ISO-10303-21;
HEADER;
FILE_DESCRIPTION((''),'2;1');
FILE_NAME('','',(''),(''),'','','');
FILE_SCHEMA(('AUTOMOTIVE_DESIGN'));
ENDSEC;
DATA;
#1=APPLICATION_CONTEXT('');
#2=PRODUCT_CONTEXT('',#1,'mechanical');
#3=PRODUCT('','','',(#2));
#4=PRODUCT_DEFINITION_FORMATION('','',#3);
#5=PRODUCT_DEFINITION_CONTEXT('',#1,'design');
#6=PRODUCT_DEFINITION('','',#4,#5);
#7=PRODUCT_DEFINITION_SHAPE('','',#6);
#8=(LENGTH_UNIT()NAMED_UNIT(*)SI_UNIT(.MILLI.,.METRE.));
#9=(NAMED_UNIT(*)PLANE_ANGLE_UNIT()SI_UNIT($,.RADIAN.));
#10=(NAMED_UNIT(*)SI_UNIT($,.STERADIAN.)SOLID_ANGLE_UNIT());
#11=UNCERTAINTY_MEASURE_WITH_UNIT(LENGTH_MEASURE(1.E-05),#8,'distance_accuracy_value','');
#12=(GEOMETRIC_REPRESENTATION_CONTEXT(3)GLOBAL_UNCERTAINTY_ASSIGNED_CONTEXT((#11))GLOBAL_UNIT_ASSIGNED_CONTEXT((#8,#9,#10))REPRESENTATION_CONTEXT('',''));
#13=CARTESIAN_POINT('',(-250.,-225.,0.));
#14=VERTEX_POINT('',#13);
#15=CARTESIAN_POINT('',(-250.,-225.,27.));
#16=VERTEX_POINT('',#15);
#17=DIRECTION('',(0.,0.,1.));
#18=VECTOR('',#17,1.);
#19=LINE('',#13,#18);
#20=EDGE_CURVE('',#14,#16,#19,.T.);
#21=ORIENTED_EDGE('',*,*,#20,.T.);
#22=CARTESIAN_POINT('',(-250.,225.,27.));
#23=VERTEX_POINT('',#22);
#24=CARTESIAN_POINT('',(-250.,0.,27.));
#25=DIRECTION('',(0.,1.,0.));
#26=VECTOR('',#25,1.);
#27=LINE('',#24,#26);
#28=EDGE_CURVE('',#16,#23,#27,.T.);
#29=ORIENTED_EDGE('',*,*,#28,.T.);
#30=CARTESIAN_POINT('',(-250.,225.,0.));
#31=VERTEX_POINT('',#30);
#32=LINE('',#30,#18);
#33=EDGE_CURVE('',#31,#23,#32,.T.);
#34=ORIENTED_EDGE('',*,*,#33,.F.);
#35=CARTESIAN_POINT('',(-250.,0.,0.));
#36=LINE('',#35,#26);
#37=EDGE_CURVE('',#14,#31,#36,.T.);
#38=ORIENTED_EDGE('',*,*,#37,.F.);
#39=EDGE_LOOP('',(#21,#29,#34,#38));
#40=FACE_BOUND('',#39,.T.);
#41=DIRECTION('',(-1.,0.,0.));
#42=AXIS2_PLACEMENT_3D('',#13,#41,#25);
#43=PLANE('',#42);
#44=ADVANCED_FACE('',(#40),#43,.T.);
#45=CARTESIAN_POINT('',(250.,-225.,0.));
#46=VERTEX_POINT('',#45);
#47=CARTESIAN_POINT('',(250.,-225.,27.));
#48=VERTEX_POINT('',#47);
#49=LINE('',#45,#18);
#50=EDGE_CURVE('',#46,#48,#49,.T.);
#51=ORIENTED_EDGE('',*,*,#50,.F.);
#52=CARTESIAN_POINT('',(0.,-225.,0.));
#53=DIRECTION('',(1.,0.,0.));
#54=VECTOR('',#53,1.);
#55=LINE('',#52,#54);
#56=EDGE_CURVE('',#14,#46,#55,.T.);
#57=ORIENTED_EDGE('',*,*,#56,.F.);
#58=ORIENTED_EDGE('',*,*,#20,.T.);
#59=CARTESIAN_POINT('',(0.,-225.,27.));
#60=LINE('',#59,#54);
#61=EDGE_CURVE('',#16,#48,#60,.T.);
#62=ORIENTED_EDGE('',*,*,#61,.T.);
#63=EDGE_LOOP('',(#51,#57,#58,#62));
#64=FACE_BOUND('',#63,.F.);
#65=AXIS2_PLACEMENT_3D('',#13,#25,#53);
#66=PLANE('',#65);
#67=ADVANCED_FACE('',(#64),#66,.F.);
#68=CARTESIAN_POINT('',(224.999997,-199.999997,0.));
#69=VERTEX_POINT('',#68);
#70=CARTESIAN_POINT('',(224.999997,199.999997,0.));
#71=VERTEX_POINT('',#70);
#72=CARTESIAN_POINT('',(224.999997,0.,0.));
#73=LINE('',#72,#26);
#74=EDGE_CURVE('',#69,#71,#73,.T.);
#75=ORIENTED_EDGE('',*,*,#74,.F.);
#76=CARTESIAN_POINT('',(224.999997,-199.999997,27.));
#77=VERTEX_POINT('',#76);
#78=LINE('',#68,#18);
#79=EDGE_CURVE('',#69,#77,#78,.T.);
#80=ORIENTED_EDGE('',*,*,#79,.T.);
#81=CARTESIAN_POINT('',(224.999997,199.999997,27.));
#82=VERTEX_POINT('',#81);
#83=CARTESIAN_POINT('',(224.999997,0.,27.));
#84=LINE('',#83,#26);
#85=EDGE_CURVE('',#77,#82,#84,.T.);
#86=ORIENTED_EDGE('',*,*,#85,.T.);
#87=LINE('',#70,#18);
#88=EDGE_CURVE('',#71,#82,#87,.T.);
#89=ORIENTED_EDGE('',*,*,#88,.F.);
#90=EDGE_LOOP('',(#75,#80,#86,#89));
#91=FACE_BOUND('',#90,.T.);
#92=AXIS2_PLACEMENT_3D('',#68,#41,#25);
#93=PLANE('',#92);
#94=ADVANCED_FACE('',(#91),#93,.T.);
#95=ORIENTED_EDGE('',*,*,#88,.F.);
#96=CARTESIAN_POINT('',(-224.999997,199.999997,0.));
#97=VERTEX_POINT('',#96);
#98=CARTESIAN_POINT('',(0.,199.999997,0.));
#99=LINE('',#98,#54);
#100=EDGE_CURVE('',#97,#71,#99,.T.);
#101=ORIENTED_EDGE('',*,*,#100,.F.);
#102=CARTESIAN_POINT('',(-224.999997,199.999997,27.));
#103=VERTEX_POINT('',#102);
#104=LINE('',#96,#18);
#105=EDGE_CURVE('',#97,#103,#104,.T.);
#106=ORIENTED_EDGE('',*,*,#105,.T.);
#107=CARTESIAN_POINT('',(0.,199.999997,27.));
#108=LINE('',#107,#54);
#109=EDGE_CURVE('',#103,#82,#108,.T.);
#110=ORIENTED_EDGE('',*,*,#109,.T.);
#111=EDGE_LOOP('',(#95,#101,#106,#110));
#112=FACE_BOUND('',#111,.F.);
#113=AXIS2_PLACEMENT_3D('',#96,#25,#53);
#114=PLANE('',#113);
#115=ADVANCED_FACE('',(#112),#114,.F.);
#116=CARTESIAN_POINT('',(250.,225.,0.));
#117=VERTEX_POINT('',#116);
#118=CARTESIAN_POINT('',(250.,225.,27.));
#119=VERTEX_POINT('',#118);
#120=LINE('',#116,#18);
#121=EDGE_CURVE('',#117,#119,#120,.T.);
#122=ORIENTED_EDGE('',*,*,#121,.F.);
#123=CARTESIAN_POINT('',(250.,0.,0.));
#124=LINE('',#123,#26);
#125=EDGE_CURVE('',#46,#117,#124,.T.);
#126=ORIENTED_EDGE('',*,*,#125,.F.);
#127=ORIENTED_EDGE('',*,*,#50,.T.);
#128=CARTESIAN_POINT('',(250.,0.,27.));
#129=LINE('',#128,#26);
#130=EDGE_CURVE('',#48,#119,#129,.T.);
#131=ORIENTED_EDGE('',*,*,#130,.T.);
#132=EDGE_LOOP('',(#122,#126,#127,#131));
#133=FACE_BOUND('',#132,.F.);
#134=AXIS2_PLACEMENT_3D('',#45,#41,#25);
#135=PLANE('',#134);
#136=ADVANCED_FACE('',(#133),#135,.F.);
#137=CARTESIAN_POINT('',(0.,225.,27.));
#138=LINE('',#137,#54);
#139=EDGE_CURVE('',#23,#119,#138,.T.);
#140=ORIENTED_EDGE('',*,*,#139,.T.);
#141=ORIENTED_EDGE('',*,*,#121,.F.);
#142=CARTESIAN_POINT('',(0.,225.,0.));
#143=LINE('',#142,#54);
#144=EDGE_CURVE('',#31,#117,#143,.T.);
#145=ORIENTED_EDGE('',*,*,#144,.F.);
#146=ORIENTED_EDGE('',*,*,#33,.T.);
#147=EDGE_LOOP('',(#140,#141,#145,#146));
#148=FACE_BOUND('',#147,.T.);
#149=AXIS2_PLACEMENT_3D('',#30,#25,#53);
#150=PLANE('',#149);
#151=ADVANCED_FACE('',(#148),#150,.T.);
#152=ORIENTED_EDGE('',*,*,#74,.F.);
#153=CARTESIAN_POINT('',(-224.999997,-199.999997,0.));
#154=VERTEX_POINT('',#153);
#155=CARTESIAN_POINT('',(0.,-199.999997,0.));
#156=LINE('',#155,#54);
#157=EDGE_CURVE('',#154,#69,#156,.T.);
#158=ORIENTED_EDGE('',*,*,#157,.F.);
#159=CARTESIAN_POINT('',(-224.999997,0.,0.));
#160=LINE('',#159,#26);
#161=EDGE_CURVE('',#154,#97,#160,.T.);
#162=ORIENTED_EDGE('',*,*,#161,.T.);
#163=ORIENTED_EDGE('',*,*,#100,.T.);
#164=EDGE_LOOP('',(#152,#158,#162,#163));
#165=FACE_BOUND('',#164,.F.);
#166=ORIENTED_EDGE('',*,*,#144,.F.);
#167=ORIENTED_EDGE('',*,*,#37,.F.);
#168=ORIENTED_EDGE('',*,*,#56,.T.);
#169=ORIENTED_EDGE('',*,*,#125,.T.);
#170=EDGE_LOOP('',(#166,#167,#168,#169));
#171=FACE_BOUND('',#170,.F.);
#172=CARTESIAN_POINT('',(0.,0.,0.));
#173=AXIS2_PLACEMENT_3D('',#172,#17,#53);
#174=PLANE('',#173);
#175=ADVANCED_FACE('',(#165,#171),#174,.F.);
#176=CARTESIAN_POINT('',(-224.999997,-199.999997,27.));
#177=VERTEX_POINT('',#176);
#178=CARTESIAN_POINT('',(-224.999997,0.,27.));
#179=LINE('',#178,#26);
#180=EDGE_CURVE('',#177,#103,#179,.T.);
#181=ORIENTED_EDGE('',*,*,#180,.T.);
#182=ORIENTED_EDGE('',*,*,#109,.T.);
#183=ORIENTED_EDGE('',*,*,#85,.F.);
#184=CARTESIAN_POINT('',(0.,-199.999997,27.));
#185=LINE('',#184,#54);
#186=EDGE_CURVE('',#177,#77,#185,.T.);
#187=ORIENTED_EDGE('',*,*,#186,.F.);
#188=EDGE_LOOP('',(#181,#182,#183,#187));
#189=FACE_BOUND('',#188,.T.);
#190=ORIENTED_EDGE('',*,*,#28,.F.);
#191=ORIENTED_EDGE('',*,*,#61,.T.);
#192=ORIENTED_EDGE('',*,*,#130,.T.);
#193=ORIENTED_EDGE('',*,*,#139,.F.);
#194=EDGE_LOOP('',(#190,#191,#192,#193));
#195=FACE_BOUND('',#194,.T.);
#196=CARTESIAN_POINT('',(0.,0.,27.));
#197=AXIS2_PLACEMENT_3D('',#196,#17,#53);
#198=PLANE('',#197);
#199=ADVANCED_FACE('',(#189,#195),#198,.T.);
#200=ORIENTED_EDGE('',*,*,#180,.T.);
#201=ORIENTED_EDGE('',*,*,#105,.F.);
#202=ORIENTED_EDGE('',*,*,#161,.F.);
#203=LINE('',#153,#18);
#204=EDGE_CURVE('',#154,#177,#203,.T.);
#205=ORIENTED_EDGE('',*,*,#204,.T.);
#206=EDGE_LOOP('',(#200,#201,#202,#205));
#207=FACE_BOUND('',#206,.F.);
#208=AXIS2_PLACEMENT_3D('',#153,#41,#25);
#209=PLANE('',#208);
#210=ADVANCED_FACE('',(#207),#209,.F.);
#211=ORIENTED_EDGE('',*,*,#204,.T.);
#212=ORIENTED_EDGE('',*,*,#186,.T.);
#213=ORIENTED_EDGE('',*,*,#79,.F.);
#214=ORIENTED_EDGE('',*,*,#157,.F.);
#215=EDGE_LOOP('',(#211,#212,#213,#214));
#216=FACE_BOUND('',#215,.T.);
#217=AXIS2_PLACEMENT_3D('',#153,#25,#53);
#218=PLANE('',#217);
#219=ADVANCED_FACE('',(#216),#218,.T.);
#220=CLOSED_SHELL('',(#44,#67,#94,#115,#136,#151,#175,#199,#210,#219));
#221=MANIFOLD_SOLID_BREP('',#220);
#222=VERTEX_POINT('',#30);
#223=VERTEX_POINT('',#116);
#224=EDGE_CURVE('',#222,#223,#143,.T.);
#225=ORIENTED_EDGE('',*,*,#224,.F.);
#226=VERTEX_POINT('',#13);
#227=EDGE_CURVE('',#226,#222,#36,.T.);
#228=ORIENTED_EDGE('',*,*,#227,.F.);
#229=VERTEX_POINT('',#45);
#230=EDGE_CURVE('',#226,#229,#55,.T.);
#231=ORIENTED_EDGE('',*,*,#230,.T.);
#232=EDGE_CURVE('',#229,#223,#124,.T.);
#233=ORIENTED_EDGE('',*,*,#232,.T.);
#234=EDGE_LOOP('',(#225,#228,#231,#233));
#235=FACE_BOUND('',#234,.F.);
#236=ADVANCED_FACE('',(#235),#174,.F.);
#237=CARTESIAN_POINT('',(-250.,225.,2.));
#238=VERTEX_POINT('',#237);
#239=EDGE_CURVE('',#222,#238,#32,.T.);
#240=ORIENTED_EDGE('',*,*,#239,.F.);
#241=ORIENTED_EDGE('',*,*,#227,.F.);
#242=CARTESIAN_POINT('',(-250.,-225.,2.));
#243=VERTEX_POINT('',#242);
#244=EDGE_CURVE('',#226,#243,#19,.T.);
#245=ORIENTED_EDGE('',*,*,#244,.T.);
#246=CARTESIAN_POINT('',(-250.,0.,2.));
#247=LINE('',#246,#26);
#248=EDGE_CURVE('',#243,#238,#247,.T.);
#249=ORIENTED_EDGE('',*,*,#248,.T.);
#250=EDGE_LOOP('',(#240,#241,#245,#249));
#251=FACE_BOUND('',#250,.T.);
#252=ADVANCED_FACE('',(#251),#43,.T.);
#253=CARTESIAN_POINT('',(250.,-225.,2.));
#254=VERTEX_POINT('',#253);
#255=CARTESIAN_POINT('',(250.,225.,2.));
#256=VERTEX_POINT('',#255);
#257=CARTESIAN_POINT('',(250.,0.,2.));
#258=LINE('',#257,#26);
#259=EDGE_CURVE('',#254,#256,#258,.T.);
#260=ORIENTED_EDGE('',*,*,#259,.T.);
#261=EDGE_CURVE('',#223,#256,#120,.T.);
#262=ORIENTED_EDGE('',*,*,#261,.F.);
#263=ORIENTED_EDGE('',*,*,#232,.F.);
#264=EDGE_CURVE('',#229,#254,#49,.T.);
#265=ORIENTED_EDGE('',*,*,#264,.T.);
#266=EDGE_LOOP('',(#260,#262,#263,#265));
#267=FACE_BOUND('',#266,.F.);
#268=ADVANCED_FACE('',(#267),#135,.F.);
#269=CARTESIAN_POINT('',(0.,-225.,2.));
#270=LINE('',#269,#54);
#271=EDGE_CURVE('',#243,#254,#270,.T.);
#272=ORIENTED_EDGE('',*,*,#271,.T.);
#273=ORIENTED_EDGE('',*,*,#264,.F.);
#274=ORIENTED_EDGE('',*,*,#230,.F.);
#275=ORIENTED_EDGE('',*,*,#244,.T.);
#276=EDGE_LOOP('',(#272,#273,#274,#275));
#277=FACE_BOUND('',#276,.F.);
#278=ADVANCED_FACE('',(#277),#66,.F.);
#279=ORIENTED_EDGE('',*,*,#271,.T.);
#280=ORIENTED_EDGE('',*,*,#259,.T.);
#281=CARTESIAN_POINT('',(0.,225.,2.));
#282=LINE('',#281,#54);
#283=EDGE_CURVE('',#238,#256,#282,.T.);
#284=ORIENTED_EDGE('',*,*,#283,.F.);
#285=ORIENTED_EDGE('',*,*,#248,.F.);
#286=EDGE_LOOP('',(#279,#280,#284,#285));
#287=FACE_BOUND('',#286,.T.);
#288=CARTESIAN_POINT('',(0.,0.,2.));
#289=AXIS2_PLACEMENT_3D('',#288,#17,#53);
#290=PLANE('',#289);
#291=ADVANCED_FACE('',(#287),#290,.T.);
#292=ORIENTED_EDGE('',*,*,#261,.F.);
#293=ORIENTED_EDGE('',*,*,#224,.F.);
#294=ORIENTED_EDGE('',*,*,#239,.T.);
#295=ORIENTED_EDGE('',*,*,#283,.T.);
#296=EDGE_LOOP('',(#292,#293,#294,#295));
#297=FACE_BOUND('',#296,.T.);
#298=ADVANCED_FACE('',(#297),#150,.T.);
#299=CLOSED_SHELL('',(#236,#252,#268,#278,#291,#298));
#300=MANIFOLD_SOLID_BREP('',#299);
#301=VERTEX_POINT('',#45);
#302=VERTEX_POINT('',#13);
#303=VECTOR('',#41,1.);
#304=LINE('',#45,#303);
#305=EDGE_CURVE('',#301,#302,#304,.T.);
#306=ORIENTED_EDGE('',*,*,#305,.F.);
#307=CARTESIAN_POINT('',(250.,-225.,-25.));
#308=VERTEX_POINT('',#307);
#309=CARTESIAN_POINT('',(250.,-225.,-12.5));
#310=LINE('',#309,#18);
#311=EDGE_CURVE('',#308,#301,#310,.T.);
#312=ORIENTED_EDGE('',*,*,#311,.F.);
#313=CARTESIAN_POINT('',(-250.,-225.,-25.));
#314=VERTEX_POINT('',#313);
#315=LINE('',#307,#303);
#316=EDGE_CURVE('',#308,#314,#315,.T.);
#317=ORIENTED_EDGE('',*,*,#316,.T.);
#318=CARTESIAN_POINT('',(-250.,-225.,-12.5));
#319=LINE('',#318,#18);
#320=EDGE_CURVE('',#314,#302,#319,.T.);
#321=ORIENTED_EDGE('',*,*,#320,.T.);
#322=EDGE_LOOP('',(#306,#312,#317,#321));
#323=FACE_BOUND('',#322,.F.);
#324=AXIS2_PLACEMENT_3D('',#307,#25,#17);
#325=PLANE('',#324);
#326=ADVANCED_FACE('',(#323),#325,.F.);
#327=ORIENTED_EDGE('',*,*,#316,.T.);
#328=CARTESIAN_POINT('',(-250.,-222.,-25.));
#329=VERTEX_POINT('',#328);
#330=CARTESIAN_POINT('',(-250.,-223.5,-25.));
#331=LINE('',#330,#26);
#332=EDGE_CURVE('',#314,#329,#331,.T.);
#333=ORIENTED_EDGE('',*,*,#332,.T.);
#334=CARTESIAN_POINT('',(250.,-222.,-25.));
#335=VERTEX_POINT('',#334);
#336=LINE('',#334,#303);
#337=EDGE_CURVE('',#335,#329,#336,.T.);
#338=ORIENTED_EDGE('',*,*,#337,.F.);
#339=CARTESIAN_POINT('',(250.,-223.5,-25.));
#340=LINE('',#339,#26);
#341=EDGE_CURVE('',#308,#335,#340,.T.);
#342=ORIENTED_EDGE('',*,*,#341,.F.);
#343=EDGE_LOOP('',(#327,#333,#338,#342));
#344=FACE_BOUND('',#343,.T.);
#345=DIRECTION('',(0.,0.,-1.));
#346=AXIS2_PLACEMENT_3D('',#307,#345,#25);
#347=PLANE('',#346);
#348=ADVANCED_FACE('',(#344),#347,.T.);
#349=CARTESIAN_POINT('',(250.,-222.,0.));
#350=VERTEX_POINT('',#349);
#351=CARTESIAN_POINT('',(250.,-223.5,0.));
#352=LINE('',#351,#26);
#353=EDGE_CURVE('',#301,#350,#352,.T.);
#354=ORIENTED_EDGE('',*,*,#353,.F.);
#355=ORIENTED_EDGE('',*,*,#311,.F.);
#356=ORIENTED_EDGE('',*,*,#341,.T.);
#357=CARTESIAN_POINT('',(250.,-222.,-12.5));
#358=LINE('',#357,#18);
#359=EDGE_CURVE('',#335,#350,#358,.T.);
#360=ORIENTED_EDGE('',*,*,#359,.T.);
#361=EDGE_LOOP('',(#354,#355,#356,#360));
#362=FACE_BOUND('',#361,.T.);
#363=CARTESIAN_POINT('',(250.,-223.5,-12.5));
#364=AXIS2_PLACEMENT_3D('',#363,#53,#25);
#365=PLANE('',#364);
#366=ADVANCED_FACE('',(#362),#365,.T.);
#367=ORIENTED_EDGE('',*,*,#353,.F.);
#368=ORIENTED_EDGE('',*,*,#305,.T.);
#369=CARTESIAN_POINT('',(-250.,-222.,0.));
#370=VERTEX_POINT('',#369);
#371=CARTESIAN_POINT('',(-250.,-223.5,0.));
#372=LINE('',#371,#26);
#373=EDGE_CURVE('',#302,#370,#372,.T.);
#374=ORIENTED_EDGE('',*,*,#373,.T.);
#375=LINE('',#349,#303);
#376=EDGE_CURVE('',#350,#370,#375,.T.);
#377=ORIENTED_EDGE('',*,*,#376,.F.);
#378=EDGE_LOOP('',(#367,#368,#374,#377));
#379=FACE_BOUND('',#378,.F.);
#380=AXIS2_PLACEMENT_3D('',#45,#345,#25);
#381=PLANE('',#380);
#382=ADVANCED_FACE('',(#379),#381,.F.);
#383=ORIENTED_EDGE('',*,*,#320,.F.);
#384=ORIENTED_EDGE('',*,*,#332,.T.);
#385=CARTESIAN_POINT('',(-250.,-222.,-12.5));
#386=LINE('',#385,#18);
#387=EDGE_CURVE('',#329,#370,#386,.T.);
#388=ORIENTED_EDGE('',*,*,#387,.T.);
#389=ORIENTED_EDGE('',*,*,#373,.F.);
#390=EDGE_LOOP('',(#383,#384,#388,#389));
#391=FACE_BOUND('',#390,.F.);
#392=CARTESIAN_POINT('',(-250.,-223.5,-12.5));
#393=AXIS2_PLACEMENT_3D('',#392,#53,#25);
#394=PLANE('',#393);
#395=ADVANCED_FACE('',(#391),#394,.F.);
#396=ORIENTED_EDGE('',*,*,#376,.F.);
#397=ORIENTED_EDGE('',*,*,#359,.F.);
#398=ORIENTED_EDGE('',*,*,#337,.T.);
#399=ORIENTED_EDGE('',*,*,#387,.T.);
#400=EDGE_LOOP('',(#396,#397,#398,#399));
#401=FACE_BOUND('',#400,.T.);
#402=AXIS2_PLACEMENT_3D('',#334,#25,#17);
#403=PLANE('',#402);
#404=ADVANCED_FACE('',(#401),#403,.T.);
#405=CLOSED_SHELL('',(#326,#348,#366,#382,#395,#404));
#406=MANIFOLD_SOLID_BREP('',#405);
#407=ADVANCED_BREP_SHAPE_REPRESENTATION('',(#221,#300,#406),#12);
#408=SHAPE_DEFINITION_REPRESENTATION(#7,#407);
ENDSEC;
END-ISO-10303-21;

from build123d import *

# Parameters (mm, degrees)
F0_W     = 500
F0_H     = 450
F0_W_2   = 449.999994
F0_H_2   = 399.999994
F1_DEPTH = 2
F2_DEPTH = 27
F3_W     = 3
F3_H     = 25
F4_DEPTH = 500


with BuildPart() as f1:
    # F0 (on Top) → F1 (new body)
    with BuildSketch(Plane.XY):
        Rectangle(F0_W, F0_H)
        Rectangle(F0_W_2, F0_H_2, mode=Mode.SUBTRACT)
        Rectangle(F0_W_2, F0_H_2)
    extrude(amount=F1_DEPTH)


with BuildPart() as f2:
    # F0 (on Top) → F2 (new body)
    with BuildSketch(Plane.XY):
        Rectangle(F0_W, F0_H)
        Rectangle(F0_W_2, F0_H_2, mode=Mode.SUBTRACT)
    extrude(amount=F2_DEPTH)


with BuildPart() as f4:
    # F3 (on face) → F4 (new body)
    with BuildSketch(Plane.YZ.offset(250)):
        with Locations((-223.5, -12.5)):
            Rectangle(F3_W, F3_H)
    extrude(amount=-F4_DEPTH)


solid = Compound([f1.part, f2.part, f4.part])
